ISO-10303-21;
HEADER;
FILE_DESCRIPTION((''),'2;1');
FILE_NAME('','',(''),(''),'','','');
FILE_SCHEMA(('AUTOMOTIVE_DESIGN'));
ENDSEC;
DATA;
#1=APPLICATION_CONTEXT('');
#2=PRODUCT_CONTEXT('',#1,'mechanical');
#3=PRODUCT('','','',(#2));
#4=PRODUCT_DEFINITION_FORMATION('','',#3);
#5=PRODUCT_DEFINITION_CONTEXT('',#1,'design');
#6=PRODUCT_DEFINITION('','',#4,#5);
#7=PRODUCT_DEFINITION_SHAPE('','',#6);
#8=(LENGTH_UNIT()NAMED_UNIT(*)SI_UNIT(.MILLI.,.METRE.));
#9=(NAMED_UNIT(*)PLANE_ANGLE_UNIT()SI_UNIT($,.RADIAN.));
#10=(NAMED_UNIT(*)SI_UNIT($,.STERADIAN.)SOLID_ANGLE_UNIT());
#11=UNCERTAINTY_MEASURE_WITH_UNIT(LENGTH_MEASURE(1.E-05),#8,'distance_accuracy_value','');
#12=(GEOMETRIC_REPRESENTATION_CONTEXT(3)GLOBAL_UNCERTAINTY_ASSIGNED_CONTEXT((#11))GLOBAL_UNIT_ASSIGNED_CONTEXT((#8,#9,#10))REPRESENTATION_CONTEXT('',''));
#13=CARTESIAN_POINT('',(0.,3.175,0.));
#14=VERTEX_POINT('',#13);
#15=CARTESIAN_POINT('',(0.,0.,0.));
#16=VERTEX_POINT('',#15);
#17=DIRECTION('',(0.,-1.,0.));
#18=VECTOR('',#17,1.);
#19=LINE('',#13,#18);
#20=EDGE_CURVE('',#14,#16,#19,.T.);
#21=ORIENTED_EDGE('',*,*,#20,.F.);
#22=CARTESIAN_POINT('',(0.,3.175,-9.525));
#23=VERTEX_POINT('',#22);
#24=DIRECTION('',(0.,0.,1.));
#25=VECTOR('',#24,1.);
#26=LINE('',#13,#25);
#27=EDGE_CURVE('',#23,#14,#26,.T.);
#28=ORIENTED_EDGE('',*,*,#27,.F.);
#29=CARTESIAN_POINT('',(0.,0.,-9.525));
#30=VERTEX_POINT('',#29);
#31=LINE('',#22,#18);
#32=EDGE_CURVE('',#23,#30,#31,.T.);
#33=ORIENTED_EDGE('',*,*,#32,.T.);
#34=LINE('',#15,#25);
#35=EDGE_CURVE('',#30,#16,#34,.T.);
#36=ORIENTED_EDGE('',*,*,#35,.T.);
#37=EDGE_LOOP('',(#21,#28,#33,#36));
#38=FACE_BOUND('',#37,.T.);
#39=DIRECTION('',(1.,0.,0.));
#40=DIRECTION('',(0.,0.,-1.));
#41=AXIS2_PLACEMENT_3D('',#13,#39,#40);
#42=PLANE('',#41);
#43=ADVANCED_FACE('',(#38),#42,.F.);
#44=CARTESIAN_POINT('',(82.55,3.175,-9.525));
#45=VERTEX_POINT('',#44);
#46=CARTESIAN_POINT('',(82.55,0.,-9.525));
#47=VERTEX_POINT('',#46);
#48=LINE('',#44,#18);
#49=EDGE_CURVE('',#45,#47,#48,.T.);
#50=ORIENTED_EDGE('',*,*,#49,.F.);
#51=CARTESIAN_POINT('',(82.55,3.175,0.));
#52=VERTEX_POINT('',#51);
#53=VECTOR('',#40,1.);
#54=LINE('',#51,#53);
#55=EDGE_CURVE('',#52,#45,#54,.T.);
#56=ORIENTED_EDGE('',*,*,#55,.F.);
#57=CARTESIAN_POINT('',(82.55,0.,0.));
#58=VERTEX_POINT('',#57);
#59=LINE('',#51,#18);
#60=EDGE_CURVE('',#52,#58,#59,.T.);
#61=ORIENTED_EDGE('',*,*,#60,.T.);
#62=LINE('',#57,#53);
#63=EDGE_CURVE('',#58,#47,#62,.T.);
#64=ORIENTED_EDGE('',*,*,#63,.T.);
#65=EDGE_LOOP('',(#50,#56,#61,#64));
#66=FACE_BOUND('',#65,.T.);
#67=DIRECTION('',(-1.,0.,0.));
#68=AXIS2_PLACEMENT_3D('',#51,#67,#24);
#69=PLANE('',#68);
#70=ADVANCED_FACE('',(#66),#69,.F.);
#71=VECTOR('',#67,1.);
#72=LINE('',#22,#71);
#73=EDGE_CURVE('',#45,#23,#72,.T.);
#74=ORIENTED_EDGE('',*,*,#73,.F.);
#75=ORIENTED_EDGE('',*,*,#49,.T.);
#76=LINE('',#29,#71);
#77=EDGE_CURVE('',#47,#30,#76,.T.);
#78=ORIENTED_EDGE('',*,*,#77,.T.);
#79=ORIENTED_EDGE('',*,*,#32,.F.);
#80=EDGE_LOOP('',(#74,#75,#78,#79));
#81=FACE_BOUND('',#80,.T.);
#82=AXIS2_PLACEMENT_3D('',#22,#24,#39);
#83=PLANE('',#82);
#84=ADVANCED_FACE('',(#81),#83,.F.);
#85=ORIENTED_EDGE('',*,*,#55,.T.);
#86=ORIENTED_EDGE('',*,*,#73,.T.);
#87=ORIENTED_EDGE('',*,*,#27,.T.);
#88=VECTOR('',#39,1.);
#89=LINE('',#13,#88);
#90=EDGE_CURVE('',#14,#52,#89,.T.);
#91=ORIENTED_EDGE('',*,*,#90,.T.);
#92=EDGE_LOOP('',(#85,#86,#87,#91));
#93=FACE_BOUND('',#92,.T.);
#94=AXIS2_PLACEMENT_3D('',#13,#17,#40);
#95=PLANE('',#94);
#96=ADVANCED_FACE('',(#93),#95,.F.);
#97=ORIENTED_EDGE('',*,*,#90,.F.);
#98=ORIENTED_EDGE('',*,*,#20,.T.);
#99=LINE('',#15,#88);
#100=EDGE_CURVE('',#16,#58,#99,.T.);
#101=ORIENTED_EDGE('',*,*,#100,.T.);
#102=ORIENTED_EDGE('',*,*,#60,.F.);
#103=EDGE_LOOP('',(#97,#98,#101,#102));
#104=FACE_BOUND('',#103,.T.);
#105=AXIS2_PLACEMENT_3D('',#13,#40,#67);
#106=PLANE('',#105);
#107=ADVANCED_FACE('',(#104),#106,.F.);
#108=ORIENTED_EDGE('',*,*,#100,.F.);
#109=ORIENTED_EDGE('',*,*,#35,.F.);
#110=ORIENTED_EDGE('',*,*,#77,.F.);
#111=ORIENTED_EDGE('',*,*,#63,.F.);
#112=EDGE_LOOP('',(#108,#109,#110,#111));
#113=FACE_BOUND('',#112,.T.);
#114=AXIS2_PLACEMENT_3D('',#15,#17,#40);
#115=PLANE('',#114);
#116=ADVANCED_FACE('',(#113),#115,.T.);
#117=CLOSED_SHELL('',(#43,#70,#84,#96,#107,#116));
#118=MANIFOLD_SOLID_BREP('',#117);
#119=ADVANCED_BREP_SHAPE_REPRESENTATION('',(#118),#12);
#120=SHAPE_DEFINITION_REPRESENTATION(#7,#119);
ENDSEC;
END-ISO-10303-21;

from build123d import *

# Parameters (mm, degrees)
SKETCH1_W              = 82.55
SKETCH1_H              = 9.525
POPSICLE_STICK_1_DEPTH = 3.175


with BuildPart() as part:
    # Sketch1 → Popsicle stick 1 (new body)
    with BuildSketch(Plane(origin=(0, 0, 0), x_dir=(1, 0, 0), z_dir=(0, 1, 0))):
        with Locations((41.275, 4.7625)):
            Rectangle(SKETCH1_W, SKETCH1_H)
    extrude(amount=POPSICLE_STICK_1_DEPTH)


solid = part.part
